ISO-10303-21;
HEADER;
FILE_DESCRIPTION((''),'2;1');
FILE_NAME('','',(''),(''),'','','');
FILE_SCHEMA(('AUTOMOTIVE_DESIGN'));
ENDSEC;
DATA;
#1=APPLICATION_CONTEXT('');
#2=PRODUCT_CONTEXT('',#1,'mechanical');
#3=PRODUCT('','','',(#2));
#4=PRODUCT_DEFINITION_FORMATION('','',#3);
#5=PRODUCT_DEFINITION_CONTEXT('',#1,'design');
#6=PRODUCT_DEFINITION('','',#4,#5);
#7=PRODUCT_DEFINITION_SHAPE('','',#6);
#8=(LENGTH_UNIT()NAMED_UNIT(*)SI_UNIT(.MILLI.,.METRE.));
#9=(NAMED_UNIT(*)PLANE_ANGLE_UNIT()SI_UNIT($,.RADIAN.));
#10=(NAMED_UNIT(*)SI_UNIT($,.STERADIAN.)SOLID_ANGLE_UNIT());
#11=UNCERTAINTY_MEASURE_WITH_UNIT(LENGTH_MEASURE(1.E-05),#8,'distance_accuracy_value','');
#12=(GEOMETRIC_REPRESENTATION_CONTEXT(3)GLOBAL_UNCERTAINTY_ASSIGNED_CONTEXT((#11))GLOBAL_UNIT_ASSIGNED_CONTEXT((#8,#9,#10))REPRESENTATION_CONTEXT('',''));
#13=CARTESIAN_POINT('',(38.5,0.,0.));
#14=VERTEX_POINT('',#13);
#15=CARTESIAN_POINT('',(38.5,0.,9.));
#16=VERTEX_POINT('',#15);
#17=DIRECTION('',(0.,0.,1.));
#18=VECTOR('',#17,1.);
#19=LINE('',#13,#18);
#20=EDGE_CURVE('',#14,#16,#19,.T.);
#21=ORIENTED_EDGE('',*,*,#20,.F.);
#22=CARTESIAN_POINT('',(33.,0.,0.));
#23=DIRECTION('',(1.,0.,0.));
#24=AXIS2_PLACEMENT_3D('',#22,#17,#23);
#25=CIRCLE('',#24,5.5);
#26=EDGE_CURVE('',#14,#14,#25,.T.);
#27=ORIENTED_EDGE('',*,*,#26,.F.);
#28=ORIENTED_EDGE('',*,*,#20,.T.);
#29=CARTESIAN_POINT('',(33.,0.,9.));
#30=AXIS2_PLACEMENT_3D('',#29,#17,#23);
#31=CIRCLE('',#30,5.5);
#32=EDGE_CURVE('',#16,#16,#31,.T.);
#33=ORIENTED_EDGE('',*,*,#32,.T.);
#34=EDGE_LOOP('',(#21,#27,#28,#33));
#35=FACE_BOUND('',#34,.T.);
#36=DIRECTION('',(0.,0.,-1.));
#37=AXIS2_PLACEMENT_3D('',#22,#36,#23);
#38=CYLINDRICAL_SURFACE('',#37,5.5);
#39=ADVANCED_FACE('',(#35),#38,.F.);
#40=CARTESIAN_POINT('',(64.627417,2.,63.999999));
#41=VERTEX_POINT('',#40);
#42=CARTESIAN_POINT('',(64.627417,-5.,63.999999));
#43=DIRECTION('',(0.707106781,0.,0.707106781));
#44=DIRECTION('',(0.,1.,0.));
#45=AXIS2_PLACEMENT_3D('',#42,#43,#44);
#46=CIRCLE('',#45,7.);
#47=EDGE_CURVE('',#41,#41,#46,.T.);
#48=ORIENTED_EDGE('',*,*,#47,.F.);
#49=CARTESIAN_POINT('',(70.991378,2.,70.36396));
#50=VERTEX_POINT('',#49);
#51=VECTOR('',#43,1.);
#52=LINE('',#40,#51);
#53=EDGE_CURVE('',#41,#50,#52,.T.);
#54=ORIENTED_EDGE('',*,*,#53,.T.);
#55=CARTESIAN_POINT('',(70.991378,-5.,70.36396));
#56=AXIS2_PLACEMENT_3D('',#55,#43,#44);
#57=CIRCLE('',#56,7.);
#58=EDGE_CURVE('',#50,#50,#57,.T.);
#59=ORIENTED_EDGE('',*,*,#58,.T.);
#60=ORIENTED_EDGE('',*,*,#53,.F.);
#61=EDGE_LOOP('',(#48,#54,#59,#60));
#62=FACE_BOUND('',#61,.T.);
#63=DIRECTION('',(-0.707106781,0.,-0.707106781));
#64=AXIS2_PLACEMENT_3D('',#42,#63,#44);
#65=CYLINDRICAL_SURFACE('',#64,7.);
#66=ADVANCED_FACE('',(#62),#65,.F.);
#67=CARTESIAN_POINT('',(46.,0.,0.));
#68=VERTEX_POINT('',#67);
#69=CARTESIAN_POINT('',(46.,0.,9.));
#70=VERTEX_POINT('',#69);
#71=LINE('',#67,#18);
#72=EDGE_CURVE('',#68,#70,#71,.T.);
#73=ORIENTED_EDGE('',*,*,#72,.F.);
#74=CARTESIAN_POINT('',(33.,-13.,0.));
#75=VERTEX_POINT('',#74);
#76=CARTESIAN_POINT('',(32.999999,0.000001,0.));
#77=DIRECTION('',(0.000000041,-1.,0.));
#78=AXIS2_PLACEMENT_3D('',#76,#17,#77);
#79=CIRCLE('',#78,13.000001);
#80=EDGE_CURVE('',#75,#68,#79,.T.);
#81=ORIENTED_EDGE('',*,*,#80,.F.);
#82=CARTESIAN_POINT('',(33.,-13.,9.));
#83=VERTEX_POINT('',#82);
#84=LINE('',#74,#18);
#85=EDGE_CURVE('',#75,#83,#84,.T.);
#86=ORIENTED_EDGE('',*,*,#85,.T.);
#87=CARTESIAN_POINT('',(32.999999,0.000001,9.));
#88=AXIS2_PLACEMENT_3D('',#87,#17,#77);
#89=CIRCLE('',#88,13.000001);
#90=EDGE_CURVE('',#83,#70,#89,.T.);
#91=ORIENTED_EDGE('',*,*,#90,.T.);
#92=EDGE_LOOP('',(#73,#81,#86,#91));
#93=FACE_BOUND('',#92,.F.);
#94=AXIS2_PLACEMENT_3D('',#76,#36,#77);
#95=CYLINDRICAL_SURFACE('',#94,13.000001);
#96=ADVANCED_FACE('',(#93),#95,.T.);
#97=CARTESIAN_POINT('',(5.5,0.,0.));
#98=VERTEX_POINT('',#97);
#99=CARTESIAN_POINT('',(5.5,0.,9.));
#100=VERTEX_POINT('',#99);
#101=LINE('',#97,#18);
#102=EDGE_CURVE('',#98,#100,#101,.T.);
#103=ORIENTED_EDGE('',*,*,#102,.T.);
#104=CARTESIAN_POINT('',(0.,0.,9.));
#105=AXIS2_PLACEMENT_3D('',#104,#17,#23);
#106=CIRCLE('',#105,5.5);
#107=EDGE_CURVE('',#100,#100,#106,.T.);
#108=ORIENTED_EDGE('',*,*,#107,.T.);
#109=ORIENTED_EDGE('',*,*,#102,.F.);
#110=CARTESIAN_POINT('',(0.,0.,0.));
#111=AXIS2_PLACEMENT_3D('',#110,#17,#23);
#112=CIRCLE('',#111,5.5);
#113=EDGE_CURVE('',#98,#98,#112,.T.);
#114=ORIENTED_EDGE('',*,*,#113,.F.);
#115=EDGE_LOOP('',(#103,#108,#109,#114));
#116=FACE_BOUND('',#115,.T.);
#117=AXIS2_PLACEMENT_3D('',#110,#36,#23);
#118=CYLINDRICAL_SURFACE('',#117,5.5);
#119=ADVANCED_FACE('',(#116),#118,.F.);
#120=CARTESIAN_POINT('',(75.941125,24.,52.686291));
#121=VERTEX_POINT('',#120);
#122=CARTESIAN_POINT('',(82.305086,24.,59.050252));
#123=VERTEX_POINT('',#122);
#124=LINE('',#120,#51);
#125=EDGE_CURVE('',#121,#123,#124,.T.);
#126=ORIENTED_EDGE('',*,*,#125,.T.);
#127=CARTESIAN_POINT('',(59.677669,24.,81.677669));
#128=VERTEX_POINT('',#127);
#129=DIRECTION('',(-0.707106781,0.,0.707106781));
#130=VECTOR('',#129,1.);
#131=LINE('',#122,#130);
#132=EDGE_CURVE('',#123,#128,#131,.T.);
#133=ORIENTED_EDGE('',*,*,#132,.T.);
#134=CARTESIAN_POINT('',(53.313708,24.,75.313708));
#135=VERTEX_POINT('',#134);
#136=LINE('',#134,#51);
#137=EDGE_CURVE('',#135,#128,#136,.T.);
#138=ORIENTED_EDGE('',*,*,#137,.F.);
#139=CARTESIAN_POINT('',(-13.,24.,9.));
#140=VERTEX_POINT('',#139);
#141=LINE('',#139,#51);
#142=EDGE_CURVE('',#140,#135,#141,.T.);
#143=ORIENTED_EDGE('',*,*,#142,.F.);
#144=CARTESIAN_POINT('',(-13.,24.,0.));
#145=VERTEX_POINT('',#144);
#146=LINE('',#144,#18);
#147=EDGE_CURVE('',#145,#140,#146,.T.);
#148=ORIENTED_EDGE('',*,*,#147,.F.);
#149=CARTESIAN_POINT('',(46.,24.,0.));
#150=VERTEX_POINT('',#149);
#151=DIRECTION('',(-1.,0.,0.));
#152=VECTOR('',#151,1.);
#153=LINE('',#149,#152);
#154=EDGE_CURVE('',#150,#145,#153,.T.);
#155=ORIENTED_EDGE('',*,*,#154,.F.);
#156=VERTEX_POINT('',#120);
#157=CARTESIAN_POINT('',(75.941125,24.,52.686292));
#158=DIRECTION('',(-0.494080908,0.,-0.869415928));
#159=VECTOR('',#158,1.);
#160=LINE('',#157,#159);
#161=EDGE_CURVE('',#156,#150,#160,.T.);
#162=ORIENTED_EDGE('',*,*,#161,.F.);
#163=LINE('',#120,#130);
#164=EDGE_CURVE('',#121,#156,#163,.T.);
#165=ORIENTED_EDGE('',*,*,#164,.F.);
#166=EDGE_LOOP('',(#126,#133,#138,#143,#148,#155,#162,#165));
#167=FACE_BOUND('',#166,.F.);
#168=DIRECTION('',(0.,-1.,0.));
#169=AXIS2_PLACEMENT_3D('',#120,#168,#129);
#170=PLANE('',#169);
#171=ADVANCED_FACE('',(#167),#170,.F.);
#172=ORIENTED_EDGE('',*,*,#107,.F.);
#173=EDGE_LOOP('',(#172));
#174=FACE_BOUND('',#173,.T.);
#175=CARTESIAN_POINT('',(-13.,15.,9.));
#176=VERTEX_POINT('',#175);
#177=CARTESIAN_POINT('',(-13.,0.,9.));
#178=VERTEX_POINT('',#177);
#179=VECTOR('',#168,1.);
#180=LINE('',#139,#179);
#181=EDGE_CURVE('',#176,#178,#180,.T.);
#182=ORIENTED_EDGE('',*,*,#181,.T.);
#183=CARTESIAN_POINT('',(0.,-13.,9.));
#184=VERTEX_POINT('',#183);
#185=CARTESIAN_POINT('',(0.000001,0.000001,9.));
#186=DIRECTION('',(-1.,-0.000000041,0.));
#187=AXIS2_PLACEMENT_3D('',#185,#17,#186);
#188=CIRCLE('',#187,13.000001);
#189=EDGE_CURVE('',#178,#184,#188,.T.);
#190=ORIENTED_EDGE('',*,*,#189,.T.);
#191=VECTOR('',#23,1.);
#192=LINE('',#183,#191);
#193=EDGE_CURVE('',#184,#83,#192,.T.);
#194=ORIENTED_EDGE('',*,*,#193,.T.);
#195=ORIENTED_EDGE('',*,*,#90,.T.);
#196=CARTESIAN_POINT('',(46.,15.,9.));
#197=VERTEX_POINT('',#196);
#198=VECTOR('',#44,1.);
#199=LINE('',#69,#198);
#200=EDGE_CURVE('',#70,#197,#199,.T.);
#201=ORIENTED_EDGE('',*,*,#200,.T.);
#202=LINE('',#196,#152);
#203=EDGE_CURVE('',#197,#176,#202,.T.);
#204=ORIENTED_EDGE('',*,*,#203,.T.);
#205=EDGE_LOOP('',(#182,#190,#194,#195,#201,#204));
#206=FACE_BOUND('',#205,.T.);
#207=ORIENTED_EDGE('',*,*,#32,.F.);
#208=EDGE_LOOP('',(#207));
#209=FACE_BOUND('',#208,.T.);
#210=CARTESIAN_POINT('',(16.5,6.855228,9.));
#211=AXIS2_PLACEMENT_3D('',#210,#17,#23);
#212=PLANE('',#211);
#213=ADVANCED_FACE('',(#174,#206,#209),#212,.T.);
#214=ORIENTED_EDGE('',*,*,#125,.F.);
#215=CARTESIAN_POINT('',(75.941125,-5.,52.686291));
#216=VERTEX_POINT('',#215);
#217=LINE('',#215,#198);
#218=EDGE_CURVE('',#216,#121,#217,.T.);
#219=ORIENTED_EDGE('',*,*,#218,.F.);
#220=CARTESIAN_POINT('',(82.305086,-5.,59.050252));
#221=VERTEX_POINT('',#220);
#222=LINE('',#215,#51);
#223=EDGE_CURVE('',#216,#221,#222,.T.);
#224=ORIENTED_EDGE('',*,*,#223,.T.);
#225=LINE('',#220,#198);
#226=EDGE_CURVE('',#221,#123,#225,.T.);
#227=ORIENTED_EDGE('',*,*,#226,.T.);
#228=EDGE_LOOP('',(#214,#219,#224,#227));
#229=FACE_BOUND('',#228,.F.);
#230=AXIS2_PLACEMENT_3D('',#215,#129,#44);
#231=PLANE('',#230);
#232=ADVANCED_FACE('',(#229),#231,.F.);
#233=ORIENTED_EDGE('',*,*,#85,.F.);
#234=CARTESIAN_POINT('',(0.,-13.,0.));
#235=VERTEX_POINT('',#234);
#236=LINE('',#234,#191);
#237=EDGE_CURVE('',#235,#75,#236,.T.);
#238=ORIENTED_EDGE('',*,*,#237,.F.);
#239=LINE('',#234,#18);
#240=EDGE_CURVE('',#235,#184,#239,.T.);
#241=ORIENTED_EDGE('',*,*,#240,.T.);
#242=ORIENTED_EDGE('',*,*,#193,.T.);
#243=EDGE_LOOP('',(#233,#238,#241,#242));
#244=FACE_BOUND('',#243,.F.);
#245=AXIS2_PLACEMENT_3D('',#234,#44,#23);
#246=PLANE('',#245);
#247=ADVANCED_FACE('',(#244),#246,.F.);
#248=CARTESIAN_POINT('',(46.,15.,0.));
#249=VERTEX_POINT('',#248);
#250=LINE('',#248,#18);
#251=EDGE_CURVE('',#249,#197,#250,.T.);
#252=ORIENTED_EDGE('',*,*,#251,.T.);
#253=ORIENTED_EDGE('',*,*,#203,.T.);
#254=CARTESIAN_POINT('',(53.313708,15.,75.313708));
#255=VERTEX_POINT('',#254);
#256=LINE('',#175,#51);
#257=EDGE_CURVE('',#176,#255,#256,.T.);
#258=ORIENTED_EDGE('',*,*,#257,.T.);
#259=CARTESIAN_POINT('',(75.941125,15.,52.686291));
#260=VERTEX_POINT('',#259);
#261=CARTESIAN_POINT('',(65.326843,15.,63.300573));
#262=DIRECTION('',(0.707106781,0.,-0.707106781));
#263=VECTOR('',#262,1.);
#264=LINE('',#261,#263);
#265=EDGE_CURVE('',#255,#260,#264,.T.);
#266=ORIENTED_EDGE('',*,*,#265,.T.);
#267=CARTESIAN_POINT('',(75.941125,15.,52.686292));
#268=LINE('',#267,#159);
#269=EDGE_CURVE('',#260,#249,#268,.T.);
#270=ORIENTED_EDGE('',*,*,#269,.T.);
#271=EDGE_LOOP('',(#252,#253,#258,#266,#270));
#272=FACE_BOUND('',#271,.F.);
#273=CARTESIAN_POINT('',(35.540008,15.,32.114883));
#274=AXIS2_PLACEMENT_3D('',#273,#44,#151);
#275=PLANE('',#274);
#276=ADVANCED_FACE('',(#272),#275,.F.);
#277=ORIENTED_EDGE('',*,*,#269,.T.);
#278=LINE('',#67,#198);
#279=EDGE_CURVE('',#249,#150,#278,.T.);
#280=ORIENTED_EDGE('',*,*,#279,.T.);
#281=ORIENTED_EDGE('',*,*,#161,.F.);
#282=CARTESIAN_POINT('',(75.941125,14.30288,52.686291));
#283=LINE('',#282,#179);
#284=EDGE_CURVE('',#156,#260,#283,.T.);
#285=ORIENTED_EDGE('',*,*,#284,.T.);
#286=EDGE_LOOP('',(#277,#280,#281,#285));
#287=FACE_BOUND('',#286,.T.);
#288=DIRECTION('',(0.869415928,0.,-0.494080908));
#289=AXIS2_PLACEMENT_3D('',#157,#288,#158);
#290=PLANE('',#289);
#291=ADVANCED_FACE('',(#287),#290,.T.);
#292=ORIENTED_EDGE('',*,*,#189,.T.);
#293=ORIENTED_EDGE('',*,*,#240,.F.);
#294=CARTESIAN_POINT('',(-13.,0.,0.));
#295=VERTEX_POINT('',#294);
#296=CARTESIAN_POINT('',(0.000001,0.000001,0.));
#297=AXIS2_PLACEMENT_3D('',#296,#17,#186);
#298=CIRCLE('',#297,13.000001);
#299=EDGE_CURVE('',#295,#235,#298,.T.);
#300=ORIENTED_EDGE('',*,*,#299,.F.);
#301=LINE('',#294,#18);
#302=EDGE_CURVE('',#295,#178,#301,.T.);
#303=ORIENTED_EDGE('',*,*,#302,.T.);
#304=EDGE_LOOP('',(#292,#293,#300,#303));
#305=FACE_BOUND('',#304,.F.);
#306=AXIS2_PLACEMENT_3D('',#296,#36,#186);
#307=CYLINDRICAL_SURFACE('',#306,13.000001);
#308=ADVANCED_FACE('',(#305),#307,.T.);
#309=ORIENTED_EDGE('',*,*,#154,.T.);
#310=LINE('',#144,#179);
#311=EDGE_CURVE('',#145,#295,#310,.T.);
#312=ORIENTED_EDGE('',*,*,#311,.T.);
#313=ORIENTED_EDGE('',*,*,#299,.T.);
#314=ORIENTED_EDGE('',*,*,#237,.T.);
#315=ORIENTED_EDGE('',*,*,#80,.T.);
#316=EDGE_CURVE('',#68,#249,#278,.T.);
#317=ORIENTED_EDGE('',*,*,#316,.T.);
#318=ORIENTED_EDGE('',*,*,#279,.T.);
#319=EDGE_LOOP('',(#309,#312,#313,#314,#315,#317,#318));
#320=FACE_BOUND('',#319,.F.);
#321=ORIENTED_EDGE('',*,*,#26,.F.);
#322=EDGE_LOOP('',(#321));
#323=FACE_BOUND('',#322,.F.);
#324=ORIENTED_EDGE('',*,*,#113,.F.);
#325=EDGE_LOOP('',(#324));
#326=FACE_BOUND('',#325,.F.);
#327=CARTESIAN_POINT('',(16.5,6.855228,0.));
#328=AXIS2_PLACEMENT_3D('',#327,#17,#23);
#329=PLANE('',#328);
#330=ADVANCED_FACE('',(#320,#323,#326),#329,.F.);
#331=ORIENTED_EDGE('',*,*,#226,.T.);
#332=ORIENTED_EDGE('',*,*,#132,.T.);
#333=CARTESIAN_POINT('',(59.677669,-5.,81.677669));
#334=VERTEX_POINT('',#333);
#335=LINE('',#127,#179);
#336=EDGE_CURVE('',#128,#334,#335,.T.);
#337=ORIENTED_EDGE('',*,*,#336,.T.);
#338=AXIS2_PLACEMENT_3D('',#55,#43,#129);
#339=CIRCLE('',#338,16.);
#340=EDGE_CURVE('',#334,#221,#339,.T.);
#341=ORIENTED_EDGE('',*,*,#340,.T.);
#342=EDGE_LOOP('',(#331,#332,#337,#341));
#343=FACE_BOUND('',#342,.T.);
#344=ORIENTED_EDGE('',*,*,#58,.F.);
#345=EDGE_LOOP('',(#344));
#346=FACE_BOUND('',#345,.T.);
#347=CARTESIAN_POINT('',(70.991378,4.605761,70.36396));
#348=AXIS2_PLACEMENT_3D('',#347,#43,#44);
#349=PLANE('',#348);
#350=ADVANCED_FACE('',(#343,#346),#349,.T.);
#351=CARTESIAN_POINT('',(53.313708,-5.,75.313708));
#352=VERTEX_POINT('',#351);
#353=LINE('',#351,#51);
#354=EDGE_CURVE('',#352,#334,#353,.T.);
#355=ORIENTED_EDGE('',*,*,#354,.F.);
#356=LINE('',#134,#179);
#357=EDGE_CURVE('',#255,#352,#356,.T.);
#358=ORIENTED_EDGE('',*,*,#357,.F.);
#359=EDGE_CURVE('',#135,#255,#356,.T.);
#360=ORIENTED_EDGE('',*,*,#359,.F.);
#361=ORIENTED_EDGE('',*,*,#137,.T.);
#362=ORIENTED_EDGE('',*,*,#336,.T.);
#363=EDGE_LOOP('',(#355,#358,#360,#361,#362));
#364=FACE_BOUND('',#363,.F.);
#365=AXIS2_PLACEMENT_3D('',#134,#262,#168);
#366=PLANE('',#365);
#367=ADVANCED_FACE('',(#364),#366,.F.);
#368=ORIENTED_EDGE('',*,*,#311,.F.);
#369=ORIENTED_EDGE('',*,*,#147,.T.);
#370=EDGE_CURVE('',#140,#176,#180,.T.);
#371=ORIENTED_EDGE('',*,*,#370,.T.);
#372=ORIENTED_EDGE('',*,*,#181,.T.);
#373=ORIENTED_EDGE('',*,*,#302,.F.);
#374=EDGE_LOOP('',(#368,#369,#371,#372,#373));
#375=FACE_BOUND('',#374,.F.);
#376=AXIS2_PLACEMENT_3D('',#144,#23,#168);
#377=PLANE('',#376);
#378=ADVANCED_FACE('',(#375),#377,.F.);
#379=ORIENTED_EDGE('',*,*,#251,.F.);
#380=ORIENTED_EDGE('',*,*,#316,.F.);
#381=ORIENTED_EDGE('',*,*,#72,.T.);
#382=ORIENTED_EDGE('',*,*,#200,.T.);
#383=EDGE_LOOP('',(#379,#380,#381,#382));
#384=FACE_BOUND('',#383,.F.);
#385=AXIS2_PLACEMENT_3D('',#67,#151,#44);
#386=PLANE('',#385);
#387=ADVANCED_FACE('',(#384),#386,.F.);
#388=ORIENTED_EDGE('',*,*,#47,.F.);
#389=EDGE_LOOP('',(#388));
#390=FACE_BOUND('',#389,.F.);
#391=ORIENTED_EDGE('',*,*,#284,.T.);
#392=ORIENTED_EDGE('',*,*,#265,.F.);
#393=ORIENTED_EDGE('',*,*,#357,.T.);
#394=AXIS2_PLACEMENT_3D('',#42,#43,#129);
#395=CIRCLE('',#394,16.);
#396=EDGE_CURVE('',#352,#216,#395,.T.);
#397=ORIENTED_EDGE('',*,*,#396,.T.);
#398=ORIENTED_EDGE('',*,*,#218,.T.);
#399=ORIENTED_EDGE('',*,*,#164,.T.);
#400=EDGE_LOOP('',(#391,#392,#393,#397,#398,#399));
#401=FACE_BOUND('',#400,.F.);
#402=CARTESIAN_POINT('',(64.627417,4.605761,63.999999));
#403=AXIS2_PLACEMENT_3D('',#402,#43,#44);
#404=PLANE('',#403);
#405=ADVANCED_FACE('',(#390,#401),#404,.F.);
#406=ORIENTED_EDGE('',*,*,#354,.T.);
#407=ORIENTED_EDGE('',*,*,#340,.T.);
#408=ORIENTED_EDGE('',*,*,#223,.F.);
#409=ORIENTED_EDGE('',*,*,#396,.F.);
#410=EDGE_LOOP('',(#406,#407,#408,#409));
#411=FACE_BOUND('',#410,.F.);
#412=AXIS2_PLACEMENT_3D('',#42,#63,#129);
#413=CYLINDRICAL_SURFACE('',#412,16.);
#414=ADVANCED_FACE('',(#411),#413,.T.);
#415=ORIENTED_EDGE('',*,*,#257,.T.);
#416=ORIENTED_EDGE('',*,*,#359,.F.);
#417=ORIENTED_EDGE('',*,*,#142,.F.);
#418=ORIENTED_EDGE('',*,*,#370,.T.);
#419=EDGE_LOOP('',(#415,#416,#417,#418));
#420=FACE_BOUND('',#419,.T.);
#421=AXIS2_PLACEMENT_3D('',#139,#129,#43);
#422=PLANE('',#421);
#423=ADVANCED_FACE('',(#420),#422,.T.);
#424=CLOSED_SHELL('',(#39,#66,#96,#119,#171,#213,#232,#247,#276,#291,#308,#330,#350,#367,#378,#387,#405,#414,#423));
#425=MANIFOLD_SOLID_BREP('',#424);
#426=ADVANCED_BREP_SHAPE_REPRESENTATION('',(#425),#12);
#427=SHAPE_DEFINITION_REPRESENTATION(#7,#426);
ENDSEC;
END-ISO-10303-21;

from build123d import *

# Parameters (mm, degrees)
F0_R     = 5.5
F1_DEPTH = 9
F3_DEPTH = 9
F4_R     = 7
F5_DEPTH = 9


with BuildPart() as f1:
    # F0 (on Top) → F1 (new body)
    with BuildSketch(Plane.XY):
        with BuildLine():
            Line((46, 24), (-13, 24))
            Line((-13, 24), (-13, 0))
            ThreePointArc((-13, 0), (-9.192388, -9.192388), (0, -13))
            Line((0, -13), (33, -13))
            ThreePointArc((33, -13), (42.192388, -9.192388), (46, 0))
            Line((46, 0), (46, 24))
        make_face()
        Circle(F0_R, mode=Mode.SUBTRACT)
        with Locations((33, 0)):
            Circle(F0_R, mode=Mode.SUBTRACT)
    extrude(amount=F1_DEPTH)

    # F2 (on face) → F3 (join)
    with BuildSketch(Plane(origin=(0, 24, 0), x_dir=(-1, 0, 0), z_dir=(0, 1, 0))):
        Polygon((-46, 9), (13, 9), (-53.313708, 75.313708), (-75.941125, 52.686292), (-46, 0), align=None)
    extrude(amount=-F3_DEPTH)

    # F4 (on face) → F5 (join)
    with BuildSketch(Plane(origin=(64.313708, 0, 64.313708), x_dir=(0, 1, 0), z_dir=(0.707107, 0, 0.707107))):
        with BuildLine():
            Line((24, -16.443651), (24, 15.556349))
            Line((24, 15.556349), (-5, 15.556349))
            ThreePointArc((-5, 15.556349), (-21, -0.443651), (-5, -16.443651))
            Line((-5, -16.443651), (24, -16.443651))
        make_face()
        with Locations((-5, -0.443651)):
            Circle(F4_R, mode=Mode.SUBTRACT)
    extrude(amount=F5_DEPTH)


solid = f1.part
